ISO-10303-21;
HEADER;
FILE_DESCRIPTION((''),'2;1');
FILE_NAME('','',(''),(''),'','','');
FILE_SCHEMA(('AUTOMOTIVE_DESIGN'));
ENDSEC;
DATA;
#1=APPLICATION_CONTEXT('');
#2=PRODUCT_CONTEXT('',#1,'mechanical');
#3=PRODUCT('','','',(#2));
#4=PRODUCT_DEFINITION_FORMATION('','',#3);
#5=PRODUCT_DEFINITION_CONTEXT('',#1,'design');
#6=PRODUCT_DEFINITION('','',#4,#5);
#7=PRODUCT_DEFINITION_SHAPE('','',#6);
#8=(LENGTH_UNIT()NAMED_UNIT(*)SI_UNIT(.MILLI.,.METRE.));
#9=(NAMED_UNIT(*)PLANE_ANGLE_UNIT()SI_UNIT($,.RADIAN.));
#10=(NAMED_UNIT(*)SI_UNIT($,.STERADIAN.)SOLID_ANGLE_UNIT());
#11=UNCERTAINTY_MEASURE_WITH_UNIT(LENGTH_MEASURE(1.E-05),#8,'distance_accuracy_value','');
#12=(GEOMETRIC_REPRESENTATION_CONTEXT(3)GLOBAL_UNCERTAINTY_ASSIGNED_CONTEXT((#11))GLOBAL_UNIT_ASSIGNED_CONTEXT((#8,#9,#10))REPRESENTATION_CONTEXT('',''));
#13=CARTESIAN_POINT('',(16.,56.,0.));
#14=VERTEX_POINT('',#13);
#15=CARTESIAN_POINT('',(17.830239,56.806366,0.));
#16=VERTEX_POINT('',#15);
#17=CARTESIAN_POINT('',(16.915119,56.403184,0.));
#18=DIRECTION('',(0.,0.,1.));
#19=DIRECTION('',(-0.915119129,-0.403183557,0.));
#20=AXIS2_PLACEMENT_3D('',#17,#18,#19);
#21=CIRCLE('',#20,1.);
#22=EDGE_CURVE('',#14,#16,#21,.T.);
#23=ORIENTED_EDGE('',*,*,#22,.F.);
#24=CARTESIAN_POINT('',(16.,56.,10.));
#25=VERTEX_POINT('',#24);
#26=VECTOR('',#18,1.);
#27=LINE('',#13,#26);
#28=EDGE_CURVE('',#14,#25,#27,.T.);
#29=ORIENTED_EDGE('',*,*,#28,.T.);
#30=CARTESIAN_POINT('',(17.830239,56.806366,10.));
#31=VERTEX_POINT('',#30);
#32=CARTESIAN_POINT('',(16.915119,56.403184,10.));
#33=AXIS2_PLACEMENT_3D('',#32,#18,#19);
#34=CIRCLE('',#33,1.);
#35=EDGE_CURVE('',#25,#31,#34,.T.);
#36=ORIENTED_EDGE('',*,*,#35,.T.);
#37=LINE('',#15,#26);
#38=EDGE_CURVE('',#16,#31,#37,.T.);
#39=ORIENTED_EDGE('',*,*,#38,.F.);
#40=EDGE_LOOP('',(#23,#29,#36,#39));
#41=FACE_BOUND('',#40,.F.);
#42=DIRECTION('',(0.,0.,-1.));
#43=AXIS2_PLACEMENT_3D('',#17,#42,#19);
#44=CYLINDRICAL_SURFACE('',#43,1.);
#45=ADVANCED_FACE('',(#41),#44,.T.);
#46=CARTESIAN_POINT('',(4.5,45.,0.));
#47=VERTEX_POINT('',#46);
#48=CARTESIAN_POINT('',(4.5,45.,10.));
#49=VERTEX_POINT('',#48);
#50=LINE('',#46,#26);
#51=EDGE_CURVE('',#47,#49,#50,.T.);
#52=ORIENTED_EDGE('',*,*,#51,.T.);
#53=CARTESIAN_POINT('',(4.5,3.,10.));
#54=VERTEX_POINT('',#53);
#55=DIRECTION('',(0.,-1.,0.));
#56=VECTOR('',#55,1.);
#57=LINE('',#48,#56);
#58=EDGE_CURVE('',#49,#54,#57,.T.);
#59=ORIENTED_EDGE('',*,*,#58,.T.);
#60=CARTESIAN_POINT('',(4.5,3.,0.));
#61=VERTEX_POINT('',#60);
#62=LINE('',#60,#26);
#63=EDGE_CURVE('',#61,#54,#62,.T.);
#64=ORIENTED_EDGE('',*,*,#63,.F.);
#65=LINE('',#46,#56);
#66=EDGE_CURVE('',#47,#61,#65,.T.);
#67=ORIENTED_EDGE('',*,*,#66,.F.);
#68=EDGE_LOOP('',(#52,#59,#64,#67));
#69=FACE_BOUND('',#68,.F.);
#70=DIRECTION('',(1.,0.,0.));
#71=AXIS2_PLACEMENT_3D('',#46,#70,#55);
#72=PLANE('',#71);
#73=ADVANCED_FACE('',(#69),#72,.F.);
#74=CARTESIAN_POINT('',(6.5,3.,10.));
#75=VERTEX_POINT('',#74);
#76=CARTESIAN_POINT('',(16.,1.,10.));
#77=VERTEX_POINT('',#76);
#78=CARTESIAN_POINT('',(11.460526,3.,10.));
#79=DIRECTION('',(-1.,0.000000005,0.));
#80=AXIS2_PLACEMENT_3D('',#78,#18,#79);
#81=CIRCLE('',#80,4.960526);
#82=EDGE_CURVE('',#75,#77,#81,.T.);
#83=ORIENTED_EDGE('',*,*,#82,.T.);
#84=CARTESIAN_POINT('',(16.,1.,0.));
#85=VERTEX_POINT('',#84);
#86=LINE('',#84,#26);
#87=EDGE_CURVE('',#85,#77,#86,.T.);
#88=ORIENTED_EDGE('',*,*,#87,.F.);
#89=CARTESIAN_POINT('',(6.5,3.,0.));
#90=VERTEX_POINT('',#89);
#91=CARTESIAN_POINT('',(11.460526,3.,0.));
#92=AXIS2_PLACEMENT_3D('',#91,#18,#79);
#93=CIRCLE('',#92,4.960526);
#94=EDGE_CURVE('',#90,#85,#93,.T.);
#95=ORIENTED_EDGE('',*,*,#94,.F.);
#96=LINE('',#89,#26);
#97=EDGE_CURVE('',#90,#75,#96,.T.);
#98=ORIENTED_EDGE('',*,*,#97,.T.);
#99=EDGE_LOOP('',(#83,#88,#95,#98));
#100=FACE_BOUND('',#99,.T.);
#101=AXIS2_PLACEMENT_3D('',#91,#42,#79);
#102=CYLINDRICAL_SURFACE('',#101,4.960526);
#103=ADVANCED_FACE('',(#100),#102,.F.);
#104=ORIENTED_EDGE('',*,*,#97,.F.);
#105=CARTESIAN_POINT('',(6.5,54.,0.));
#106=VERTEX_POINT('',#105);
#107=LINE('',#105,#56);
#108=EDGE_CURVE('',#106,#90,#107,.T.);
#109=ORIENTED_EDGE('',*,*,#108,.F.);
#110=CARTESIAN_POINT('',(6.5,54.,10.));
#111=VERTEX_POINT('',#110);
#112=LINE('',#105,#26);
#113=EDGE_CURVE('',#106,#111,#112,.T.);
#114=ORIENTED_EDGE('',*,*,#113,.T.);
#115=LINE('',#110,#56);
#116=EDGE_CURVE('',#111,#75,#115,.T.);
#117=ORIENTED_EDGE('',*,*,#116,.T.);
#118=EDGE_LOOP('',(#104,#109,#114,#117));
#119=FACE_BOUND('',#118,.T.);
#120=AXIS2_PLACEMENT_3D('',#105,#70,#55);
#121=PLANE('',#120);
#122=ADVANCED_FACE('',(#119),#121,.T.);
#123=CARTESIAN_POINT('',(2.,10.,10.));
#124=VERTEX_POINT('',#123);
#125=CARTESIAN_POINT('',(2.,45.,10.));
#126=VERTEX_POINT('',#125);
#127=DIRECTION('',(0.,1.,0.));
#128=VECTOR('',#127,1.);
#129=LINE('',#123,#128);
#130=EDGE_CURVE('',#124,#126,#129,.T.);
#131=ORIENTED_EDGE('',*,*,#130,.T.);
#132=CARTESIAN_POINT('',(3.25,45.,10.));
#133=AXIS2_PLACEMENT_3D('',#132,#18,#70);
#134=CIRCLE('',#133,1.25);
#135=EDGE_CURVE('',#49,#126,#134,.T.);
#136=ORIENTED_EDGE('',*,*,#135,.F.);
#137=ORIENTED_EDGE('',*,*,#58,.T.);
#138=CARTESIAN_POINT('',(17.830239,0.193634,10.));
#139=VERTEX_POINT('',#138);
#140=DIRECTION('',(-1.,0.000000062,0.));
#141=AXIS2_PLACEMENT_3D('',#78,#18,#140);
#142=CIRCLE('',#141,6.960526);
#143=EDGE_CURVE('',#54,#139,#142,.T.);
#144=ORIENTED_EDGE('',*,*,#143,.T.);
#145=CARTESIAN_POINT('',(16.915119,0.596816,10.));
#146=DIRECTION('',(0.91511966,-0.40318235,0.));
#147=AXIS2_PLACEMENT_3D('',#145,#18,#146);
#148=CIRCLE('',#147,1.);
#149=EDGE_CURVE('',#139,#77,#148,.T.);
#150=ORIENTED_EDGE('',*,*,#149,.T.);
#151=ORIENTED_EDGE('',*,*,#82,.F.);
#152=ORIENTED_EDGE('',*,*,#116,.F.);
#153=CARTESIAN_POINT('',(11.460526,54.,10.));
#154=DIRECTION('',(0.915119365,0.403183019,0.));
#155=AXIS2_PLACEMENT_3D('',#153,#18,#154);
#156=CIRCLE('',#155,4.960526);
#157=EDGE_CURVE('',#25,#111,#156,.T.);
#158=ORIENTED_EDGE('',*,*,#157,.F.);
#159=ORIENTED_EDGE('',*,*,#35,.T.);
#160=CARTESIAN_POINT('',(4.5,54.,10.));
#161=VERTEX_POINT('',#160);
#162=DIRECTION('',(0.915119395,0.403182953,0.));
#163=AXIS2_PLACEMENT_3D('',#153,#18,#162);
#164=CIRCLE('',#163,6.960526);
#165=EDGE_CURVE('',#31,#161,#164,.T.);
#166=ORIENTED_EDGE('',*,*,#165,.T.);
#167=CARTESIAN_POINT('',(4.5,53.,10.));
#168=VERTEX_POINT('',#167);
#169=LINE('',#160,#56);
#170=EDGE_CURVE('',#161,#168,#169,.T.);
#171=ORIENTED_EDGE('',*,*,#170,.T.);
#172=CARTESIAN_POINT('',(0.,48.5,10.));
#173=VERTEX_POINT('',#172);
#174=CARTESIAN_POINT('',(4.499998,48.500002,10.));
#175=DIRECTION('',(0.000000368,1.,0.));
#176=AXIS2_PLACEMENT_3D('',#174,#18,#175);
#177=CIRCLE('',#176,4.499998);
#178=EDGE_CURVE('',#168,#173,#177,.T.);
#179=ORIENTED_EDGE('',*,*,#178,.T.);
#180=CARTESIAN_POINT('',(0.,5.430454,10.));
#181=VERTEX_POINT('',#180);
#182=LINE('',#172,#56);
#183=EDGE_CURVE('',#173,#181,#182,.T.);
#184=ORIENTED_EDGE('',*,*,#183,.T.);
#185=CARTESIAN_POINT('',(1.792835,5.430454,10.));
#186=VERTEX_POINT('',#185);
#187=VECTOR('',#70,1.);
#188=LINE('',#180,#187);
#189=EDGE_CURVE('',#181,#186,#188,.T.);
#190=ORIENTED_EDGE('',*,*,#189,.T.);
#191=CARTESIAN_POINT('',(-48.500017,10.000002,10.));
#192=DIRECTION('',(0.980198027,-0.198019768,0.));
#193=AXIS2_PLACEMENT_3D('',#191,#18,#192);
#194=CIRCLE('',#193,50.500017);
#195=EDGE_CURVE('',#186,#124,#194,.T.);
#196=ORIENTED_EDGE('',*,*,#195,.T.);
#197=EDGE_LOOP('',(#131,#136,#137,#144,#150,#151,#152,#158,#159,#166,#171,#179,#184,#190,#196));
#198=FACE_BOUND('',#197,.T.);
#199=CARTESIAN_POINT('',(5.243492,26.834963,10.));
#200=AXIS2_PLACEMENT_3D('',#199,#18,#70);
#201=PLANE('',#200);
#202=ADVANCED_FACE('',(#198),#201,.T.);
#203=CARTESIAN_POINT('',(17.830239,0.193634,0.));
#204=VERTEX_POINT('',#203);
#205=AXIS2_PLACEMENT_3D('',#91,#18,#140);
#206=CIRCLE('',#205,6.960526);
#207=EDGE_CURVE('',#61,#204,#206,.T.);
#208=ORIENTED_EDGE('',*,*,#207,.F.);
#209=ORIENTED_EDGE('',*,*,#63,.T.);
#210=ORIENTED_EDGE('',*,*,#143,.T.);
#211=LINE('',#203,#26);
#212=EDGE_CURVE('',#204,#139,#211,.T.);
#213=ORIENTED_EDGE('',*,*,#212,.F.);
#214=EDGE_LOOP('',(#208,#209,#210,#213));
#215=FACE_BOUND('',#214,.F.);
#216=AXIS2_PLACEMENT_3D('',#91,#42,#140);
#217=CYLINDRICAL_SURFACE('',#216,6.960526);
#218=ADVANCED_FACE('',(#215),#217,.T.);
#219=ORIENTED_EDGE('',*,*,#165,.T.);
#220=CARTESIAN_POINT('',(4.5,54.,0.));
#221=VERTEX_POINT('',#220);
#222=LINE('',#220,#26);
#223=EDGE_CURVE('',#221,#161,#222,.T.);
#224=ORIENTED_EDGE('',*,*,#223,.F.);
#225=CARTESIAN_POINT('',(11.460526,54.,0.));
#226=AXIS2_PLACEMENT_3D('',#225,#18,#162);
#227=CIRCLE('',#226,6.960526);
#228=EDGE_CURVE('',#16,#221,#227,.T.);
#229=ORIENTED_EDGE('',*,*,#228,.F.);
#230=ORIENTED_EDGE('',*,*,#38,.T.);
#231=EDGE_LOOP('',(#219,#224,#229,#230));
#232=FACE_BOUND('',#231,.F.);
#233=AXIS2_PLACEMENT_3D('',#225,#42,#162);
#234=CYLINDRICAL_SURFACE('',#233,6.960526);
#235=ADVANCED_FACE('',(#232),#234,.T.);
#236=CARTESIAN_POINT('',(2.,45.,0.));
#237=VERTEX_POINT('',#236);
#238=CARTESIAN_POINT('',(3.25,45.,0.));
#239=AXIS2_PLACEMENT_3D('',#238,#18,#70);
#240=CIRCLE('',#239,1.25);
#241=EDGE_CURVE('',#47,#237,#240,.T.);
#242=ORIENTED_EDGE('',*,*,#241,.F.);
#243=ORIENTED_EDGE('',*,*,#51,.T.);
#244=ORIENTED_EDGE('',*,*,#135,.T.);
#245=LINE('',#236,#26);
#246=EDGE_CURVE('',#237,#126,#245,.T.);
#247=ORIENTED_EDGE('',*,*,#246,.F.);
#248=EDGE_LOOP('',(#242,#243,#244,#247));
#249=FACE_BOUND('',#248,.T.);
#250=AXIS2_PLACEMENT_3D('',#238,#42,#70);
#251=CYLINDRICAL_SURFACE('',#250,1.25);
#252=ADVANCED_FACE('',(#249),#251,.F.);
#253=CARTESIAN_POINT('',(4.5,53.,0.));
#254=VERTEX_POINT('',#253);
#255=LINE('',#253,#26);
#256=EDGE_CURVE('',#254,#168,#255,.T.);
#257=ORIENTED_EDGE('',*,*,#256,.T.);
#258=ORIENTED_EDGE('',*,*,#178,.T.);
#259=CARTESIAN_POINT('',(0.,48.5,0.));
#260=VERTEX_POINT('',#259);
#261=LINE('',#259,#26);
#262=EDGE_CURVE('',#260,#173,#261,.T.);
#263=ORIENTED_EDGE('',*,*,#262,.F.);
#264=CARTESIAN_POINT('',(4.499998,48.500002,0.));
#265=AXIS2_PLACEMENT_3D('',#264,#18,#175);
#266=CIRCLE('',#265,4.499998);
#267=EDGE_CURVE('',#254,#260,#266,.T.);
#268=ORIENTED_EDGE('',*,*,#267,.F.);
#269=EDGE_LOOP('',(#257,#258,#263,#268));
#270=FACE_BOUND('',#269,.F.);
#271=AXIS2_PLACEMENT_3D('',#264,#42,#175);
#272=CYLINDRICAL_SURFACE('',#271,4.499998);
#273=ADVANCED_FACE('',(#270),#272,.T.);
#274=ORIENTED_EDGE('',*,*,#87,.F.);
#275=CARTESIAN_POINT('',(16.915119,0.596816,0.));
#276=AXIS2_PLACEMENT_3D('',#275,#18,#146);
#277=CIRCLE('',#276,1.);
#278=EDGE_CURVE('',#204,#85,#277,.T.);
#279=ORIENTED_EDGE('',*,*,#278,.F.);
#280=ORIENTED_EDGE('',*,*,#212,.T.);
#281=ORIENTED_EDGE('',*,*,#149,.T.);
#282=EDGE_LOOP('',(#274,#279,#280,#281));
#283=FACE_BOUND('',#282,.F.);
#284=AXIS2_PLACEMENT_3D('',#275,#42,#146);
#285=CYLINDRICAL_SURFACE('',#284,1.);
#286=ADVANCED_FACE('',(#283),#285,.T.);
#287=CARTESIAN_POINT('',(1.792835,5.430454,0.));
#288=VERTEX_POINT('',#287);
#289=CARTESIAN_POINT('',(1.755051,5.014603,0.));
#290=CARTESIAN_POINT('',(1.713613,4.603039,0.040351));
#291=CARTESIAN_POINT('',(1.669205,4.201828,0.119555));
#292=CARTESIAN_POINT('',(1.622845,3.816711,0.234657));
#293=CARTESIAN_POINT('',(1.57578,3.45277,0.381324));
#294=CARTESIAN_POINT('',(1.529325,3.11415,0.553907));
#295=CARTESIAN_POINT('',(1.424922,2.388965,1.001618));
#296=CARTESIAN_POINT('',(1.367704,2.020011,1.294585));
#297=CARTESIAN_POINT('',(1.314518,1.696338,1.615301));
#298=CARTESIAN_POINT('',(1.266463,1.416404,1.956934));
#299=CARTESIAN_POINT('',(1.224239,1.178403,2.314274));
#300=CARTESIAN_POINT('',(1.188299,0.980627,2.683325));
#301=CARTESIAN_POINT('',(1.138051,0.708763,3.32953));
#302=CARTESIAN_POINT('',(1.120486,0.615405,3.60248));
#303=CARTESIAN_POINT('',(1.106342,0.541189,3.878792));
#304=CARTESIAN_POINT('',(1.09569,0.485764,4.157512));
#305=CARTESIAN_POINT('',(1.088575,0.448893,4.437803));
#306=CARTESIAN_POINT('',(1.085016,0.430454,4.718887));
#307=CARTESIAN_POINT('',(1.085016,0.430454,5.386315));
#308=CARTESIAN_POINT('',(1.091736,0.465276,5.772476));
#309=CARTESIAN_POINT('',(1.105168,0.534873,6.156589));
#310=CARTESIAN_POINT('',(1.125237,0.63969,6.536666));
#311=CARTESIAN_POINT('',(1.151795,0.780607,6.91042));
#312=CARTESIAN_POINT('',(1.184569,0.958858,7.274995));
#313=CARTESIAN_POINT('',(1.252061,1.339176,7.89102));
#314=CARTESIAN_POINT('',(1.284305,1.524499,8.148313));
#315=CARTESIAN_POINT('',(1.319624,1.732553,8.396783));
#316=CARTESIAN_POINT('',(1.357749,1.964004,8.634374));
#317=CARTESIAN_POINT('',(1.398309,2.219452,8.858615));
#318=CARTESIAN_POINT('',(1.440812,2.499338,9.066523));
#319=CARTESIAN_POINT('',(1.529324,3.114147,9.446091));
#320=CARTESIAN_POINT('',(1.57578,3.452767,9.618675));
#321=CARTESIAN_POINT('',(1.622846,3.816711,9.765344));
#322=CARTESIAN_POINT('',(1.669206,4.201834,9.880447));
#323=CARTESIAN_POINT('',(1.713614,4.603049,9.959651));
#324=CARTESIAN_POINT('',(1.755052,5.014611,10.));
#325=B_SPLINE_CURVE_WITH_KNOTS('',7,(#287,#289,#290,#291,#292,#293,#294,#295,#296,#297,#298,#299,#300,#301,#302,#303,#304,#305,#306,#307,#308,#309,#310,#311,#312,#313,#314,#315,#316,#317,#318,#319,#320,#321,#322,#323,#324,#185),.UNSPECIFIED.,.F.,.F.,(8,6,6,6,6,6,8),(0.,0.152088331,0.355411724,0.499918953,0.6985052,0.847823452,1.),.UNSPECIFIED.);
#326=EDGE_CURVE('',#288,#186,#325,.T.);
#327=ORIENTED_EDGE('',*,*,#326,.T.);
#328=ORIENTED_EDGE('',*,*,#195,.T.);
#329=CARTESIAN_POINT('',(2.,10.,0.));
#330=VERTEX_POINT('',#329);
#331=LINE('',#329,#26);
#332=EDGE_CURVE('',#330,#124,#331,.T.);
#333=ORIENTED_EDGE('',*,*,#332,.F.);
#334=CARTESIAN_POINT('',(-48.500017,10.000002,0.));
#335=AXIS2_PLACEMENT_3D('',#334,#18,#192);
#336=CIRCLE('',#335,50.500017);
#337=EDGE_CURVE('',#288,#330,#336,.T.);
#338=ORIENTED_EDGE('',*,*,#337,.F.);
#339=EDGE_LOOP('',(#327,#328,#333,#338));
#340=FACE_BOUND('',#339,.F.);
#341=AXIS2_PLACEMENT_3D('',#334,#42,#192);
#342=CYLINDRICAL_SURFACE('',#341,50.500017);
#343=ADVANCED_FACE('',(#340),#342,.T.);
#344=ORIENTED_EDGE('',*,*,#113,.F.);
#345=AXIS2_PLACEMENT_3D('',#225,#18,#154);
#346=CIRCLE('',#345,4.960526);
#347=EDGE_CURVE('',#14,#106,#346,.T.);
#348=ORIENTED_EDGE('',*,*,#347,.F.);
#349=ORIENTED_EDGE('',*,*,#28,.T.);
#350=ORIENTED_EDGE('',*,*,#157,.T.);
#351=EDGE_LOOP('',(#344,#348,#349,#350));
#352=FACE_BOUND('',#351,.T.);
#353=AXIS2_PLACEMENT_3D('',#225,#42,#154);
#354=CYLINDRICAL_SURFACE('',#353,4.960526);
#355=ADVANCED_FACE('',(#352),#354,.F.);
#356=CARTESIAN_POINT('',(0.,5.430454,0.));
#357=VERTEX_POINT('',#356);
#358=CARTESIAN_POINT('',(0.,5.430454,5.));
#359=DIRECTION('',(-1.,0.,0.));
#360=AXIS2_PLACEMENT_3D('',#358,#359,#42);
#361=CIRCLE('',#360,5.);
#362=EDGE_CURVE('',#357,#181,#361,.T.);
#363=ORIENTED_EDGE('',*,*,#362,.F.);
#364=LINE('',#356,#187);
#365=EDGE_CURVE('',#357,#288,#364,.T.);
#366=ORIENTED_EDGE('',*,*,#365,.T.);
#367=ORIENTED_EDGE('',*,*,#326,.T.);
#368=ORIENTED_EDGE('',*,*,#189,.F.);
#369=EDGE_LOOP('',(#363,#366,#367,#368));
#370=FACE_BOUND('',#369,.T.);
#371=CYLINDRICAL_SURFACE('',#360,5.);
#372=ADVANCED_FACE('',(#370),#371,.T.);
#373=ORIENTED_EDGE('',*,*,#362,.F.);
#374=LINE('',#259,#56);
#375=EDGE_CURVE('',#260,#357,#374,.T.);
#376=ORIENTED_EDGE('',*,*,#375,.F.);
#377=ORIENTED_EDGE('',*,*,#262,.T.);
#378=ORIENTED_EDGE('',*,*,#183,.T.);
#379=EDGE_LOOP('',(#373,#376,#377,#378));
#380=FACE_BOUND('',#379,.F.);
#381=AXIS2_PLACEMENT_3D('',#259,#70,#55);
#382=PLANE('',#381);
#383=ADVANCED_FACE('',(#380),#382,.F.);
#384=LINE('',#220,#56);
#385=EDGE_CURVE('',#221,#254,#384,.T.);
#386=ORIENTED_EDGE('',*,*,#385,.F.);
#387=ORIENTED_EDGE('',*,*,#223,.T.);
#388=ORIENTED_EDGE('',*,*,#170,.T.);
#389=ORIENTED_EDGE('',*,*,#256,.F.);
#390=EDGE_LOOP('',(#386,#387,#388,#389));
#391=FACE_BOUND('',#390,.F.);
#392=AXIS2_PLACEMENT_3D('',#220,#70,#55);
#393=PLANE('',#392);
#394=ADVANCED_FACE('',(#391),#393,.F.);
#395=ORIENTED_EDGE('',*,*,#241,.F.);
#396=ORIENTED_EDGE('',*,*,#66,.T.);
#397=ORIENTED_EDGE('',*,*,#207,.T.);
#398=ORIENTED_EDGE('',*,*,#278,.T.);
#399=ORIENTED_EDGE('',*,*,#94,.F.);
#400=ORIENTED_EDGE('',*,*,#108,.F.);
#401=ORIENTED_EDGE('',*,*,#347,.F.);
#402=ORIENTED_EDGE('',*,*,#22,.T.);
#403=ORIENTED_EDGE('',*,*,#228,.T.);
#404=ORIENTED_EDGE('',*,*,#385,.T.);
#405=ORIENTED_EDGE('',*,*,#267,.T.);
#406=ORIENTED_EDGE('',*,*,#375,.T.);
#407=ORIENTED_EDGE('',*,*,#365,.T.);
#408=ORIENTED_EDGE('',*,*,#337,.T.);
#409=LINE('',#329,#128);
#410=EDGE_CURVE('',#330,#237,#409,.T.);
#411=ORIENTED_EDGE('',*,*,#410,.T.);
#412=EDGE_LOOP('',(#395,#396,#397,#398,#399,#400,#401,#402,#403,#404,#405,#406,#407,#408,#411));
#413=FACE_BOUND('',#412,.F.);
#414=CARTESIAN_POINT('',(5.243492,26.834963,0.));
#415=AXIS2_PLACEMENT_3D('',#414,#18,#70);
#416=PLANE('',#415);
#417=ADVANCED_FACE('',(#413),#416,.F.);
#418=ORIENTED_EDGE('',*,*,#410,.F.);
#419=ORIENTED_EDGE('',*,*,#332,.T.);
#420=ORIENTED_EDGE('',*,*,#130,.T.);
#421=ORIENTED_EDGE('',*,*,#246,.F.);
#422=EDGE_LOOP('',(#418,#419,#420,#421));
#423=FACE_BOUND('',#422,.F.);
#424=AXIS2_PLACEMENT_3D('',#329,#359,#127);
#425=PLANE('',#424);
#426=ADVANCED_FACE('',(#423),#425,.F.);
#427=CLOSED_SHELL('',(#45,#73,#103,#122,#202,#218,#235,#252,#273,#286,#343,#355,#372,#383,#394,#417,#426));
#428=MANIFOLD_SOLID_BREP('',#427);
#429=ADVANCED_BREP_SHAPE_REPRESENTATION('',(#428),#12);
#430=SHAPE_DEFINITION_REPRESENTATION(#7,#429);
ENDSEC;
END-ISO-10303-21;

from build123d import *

# Parameters (mm, degrees)
PAD_DEPTH    = 10
POCKET_DEPTH = 4


with BuildPart() as part:
    # Sketch → Pad (new body)
    with BuildSketch(Plane.XY):
        with BuildLine():
            Line((0, 48.5), (0, 0))
            Line((0, 0), (1, 0))
            ThreePointArc((1, 0), (1.749378, 4.975062), (2, 10))
            Line((2, 10), (2, 45))
            ThreePointArc((4.5, 45), (3.25, 46.25), (2, 45))
            Line((4.5, 45), (4.5, 3))
            ThreePointArc((4.5, 3), (10.026585, -3.811222), (17.830239, 0.193634))
            ThreePointArc((17.830239, 0.193634), (17.318302, 1.511936), (16, 1))
            ThreePointArc((6.5, 3), (10.438606, -1.854122), (16, 1))
            Line((6.5, 54), (6.5, 3))
            ThreePointArc((16, 56), (10.438606, 58.854122), (6.5, 54))
            ThreePointArc((16, 56), (17.318302, 55.488064), (17.830239, 56.806366))
            ThreePointArc((17.830239, 56.806366), (10.026585, 60.811222), (4.5, 54))
            Line((4.5, 54), (4.5, 53))
            ThreePointArc((4.5, 53), (1.318019, 51.681981), (0, 48.5))
        make_face()
    extrude(amount=PAD_DEPTH)

    # Sketch001 → Pocket (cut)
    with BuildSketch(Plane(origin=(0, 0, 0), x_dir=(0, -1, 0), z_dir=(-1, 0, 0))):
        with BuildLine():
            ThreePointArc((-5.430454, 0), (-0.430454, 5), (-5.430454, 10))
            Line((-5.430454, 10), (44.569546, 10))
            Line((44.569546, 10), (44.569546, 0))
            Line((44.569546, 0), (-5.430454, 0))
        make_face()
    extrude(amount=-POCKET_DEPTH, mode=Mode.SUBTRACT)


solid = part.part
